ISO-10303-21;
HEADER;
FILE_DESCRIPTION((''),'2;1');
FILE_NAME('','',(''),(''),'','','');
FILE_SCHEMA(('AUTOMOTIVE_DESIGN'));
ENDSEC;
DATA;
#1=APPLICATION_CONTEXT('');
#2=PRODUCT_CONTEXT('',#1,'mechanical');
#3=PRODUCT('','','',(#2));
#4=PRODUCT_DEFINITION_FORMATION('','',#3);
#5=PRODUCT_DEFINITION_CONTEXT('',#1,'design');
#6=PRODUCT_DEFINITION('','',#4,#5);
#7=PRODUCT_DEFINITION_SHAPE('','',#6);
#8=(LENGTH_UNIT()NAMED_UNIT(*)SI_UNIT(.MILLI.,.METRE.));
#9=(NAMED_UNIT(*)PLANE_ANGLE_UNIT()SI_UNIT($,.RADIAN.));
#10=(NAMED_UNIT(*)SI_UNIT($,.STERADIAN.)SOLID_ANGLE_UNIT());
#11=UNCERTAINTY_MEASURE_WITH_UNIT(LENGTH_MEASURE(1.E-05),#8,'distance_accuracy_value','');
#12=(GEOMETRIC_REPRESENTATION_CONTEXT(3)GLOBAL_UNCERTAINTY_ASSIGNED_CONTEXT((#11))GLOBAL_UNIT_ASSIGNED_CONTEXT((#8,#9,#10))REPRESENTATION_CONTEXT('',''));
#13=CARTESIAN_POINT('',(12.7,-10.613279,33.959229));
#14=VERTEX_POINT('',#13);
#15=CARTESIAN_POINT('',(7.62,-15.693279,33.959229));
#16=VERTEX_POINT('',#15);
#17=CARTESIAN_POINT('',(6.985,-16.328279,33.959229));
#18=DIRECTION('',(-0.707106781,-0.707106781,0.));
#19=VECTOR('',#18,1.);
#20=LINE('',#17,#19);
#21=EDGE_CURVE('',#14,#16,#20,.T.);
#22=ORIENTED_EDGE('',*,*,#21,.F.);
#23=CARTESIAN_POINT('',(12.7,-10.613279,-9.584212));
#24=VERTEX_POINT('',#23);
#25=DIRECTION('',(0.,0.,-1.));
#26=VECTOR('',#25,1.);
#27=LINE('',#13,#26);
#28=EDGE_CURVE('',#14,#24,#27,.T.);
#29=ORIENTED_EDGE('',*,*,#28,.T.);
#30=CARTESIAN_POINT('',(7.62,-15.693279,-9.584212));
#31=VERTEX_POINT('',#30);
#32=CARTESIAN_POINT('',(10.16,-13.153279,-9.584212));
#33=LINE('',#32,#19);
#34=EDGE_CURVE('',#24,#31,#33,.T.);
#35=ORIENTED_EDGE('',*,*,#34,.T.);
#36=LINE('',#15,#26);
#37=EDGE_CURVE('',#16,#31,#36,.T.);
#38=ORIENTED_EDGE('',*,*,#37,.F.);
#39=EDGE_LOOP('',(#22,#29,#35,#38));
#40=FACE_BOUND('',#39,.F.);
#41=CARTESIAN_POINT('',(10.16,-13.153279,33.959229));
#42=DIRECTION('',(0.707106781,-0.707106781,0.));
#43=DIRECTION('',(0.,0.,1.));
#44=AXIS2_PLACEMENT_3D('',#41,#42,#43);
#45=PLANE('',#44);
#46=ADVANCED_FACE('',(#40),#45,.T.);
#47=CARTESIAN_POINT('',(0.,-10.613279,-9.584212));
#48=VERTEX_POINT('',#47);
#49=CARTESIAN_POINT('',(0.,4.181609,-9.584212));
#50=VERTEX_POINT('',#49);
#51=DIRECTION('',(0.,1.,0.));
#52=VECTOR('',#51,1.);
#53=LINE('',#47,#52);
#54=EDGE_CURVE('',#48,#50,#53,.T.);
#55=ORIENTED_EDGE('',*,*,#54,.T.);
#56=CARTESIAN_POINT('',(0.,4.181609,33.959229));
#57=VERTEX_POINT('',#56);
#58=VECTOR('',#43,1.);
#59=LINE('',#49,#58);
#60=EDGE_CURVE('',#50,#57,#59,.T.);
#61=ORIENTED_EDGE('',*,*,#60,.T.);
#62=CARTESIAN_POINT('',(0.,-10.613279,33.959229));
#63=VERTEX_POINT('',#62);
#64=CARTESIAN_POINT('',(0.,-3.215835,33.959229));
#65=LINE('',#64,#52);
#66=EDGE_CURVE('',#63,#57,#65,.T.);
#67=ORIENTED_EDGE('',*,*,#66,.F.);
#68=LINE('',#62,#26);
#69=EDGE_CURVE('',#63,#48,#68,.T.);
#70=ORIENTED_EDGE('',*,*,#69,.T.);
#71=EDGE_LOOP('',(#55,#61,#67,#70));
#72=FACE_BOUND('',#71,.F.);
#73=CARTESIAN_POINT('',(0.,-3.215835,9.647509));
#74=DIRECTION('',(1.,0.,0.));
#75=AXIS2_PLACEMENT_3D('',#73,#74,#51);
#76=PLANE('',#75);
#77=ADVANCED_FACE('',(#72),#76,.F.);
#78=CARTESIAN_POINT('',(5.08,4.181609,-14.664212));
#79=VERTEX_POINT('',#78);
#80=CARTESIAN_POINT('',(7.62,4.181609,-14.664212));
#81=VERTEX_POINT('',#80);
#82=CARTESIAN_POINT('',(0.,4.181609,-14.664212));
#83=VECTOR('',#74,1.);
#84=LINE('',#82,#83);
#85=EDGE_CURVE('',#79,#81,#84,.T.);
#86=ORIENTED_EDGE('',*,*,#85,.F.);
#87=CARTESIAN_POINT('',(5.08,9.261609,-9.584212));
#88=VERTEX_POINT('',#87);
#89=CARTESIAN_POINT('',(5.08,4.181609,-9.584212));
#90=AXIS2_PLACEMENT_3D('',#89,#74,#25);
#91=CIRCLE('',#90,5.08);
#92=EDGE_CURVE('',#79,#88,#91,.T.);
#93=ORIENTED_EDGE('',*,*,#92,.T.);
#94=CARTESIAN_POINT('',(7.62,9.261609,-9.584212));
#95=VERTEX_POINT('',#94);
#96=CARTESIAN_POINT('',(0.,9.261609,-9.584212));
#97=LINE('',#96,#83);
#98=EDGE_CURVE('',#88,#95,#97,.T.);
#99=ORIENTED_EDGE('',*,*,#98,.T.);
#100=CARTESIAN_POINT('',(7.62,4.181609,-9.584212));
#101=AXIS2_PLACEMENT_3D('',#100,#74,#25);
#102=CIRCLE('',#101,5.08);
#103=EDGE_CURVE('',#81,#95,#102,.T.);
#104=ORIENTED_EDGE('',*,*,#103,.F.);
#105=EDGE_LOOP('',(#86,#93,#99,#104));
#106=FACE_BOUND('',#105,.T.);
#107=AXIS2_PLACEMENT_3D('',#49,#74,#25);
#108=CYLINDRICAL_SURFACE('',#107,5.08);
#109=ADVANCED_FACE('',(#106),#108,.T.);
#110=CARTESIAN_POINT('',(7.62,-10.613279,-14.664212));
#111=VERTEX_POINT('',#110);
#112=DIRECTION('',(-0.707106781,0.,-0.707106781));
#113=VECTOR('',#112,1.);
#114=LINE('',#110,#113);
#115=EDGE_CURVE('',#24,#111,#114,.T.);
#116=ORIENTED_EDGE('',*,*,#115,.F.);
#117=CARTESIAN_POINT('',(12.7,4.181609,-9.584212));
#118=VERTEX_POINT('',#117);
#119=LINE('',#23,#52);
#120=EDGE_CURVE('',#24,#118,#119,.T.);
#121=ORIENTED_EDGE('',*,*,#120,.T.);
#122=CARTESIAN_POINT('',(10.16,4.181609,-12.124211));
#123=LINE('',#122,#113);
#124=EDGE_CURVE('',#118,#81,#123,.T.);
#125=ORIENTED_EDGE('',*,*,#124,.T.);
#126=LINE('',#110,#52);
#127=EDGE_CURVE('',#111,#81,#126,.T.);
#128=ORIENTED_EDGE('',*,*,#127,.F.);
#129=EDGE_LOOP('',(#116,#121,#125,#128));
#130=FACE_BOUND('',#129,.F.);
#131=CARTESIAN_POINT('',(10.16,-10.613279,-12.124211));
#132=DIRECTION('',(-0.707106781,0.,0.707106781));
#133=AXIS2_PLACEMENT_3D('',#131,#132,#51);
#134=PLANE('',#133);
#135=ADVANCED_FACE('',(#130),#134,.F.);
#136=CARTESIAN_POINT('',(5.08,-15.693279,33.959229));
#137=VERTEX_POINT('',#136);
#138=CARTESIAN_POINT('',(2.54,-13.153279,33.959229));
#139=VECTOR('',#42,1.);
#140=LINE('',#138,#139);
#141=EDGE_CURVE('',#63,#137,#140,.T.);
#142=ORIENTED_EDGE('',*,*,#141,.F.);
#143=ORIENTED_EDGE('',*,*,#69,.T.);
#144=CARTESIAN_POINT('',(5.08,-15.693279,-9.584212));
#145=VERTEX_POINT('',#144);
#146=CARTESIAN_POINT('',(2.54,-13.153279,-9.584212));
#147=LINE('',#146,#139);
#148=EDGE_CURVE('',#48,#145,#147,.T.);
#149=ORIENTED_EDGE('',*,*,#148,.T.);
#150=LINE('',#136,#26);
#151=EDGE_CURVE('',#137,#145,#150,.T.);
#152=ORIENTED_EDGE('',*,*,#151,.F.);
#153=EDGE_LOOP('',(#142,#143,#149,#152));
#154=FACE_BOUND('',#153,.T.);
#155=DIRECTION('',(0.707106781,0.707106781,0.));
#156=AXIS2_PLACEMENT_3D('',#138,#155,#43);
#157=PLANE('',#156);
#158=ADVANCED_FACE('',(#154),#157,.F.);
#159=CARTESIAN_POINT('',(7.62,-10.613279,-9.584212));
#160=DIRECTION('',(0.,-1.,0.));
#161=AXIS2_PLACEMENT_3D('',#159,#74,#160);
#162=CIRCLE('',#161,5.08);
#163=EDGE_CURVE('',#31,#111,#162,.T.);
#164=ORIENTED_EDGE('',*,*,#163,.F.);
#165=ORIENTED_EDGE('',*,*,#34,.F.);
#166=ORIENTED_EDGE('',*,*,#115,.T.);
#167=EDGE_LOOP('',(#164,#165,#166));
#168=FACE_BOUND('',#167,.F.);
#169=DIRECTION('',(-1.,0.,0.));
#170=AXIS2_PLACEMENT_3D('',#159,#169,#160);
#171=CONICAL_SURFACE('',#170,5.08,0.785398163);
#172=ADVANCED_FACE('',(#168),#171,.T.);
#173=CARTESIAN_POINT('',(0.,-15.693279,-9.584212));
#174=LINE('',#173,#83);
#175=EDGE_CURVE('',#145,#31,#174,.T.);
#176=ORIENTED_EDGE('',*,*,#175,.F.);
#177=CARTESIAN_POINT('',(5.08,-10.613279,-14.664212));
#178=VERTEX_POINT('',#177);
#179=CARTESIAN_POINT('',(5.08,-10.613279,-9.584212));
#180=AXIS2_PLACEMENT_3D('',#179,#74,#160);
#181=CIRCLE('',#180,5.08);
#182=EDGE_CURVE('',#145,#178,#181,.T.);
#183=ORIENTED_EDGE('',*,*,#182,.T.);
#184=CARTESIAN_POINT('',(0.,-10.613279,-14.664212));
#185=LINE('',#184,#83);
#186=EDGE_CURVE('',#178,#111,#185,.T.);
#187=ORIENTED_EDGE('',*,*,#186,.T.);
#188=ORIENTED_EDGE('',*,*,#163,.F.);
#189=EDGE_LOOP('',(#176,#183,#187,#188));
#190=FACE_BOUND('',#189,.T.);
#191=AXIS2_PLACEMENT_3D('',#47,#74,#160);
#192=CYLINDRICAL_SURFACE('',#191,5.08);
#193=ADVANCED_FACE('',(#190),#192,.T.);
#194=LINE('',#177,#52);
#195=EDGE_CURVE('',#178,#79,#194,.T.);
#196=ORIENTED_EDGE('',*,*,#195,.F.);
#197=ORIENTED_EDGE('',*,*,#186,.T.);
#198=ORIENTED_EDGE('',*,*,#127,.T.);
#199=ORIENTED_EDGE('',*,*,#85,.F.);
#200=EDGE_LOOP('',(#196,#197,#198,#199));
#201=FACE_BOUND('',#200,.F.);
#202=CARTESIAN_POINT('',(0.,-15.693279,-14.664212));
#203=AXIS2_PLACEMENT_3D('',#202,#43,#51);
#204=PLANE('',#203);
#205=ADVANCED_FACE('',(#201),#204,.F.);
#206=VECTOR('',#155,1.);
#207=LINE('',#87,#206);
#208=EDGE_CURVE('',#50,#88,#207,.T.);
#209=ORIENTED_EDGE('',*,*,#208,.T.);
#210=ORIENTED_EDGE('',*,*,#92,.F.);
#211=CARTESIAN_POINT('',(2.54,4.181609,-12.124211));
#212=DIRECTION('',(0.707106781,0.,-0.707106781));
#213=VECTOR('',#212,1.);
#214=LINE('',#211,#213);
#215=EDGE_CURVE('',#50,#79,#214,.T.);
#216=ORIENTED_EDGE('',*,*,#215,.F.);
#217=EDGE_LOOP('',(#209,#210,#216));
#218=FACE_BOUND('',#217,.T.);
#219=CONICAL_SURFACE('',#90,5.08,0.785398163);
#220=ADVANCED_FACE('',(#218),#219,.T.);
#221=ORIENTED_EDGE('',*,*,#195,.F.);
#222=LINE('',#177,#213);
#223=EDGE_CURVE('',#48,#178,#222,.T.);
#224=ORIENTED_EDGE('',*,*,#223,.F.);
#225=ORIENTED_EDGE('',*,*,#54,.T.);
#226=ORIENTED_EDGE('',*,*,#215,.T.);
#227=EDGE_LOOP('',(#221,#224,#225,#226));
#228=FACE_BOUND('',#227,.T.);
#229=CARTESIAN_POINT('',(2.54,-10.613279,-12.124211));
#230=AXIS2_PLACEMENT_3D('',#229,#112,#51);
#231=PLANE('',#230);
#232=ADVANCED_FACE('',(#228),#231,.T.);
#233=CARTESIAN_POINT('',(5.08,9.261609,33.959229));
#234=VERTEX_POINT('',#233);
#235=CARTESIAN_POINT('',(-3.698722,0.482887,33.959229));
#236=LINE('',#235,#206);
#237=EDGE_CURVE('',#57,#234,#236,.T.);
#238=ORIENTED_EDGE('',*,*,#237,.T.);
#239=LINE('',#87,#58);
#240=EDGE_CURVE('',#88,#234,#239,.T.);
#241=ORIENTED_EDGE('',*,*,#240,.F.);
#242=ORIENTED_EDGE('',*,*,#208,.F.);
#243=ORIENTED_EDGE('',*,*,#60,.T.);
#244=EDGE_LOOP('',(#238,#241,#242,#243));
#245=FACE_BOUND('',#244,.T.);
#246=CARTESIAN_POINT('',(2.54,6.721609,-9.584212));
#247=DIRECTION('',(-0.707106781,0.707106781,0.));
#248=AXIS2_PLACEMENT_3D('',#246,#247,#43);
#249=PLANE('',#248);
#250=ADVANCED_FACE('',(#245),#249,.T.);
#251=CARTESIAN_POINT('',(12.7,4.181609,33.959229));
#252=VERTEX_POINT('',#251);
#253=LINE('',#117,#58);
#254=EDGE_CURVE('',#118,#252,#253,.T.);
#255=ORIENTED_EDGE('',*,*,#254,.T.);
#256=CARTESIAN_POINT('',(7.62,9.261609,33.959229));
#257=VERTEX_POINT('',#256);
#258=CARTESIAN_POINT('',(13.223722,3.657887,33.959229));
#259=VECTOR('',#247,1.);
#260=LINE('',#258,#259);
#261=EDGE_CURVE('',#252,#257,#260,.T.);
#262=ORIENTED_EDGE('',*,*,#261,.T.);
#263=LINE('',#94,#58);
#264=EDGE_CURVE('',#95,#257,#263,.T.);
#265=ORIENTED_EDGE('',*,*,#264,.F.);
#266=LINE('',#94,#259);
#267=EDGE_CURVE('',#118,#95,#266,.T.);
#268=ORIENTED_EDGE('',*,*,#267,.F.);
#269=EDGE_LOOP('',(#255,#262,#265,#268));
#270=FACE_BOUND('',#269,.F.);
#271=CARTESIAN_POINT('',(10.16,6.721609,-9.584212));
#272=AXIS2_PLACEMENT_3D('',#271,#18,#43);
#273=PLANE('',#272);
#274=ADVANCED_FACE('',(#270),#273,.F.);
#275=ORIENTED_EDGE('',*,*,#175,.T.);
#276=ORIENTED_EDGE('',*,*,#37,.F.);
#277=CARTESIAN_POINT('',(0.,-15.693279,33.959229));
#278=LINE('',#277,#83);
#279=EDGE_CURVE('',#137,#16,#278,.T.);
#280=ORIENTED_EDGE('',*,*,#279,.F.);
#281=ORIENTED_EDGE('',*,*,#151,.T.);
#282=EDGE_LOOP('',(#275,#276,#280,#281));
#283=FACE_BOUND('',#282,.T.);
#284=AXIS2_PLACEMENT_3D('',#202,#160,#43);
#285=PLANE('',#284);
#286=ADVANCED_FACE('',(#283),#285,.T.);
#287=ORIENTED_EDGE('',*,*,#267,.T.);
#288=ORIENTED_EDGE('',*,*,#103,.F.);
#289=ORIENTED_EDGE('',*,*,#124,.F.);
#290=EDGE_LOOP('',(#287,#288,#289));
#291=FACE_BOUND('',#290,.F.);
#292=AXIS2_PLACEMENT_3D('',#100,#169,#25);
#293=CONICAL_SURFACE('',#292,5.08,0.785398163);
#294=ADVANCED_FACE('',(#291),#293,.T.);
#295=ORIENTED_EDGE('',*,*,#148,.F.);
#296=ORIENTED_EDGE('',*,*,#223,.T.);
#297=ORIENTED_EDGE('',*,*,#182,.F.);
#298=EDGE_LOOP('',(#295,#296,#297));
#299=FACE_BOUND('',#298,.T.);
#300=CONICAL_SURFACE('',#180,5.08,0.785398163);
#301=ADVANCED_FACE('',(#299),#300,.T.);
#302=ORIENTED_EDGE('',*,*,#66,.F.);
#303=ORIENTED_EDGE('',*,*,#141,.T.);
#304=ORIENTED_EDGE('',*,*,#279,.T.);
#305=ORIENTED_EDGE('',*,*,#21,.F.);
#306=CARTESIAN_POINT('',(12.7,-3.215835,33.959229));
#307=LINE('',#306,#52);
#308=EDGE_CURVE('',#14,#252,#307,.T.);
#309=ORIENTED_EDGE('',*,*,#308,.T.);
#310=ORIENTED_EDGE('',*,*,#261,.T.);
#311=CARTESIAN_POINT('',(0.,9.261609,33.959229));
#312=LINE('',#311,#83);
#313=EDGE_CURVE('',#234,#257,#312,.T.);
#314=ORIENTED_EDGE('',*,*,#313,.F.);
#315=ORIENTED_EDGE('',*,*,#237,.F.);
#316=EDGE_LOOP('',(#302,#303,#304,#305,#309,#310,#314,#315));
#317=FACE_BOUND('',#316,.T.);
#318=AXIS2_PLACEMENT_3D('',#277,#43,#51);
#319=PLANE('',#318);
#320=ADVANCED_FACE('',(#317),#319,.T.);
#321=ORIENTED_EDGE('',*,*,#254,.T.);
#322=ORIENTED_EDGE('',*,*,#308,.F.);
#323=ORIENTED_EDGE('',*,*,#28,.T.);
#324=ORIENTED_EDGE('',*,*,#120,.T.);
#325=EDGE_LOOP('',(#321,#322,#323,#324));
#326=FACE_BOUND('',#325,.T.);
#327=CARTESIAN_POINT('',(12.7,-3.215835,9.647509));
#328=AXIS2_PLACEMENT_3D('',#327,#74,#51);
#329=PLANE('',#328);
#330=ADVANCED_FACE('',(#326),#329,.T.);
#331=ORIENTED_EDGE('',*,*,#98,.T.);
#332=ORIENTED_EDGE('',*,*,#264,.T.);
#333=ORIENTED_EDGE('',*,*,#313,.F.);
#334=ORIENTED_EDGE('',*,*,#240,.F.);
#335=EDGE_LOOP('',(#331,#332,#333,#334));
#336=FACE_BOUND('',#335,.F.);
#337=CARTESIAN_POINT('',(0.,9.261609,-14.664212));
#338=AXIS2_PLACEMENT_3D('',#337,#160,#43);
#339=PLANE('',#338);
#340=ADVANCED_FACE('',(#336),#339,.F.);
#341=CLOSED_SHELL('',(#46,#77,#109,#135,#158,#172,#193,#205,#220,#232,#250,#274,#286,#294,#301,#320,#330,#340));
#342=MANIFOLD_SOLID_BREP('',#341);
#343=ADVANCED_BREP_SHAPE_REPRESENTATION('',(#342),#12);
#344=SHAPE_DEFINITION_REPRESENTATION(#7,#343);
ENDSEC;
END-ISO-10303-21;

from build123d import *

# Parameters (mm, degrees)
F0_W     = 24.954888
F0_H     = 48.623441
F1_DEPTH = 12.7
F2_R     = 5.08
F3_SIZE  = 5.08


with BuildPart() as f1:
    # F0 (on Right) → F1 (new body)
    with BuildSketch(Plane.YZ):
        with Locations((-3.215835, 9.647509)):
            Rectangle(F0_W, F0_H)
    extrude(amount=F1_DEPTH)

    # F2
    f2_edges = [f1.edges().sort_by_distance(p)[0] for p in [
        (6.35, -15.693279, -14.664212),
        (6.35, 9.261609, -14.664212),
    ]]
    fillet(f2_edges, radius=F2_R)

    # F3
    f3_edges = [f1.edges().sort_by_distance(p)[0] for p in [
        (12.7, -3.215835, -14.664212),
        (0, -3.215835, -14.664212),
    ]]
    chamfer(f3_edges, length=F3_SIZE)


solid = f1.part
